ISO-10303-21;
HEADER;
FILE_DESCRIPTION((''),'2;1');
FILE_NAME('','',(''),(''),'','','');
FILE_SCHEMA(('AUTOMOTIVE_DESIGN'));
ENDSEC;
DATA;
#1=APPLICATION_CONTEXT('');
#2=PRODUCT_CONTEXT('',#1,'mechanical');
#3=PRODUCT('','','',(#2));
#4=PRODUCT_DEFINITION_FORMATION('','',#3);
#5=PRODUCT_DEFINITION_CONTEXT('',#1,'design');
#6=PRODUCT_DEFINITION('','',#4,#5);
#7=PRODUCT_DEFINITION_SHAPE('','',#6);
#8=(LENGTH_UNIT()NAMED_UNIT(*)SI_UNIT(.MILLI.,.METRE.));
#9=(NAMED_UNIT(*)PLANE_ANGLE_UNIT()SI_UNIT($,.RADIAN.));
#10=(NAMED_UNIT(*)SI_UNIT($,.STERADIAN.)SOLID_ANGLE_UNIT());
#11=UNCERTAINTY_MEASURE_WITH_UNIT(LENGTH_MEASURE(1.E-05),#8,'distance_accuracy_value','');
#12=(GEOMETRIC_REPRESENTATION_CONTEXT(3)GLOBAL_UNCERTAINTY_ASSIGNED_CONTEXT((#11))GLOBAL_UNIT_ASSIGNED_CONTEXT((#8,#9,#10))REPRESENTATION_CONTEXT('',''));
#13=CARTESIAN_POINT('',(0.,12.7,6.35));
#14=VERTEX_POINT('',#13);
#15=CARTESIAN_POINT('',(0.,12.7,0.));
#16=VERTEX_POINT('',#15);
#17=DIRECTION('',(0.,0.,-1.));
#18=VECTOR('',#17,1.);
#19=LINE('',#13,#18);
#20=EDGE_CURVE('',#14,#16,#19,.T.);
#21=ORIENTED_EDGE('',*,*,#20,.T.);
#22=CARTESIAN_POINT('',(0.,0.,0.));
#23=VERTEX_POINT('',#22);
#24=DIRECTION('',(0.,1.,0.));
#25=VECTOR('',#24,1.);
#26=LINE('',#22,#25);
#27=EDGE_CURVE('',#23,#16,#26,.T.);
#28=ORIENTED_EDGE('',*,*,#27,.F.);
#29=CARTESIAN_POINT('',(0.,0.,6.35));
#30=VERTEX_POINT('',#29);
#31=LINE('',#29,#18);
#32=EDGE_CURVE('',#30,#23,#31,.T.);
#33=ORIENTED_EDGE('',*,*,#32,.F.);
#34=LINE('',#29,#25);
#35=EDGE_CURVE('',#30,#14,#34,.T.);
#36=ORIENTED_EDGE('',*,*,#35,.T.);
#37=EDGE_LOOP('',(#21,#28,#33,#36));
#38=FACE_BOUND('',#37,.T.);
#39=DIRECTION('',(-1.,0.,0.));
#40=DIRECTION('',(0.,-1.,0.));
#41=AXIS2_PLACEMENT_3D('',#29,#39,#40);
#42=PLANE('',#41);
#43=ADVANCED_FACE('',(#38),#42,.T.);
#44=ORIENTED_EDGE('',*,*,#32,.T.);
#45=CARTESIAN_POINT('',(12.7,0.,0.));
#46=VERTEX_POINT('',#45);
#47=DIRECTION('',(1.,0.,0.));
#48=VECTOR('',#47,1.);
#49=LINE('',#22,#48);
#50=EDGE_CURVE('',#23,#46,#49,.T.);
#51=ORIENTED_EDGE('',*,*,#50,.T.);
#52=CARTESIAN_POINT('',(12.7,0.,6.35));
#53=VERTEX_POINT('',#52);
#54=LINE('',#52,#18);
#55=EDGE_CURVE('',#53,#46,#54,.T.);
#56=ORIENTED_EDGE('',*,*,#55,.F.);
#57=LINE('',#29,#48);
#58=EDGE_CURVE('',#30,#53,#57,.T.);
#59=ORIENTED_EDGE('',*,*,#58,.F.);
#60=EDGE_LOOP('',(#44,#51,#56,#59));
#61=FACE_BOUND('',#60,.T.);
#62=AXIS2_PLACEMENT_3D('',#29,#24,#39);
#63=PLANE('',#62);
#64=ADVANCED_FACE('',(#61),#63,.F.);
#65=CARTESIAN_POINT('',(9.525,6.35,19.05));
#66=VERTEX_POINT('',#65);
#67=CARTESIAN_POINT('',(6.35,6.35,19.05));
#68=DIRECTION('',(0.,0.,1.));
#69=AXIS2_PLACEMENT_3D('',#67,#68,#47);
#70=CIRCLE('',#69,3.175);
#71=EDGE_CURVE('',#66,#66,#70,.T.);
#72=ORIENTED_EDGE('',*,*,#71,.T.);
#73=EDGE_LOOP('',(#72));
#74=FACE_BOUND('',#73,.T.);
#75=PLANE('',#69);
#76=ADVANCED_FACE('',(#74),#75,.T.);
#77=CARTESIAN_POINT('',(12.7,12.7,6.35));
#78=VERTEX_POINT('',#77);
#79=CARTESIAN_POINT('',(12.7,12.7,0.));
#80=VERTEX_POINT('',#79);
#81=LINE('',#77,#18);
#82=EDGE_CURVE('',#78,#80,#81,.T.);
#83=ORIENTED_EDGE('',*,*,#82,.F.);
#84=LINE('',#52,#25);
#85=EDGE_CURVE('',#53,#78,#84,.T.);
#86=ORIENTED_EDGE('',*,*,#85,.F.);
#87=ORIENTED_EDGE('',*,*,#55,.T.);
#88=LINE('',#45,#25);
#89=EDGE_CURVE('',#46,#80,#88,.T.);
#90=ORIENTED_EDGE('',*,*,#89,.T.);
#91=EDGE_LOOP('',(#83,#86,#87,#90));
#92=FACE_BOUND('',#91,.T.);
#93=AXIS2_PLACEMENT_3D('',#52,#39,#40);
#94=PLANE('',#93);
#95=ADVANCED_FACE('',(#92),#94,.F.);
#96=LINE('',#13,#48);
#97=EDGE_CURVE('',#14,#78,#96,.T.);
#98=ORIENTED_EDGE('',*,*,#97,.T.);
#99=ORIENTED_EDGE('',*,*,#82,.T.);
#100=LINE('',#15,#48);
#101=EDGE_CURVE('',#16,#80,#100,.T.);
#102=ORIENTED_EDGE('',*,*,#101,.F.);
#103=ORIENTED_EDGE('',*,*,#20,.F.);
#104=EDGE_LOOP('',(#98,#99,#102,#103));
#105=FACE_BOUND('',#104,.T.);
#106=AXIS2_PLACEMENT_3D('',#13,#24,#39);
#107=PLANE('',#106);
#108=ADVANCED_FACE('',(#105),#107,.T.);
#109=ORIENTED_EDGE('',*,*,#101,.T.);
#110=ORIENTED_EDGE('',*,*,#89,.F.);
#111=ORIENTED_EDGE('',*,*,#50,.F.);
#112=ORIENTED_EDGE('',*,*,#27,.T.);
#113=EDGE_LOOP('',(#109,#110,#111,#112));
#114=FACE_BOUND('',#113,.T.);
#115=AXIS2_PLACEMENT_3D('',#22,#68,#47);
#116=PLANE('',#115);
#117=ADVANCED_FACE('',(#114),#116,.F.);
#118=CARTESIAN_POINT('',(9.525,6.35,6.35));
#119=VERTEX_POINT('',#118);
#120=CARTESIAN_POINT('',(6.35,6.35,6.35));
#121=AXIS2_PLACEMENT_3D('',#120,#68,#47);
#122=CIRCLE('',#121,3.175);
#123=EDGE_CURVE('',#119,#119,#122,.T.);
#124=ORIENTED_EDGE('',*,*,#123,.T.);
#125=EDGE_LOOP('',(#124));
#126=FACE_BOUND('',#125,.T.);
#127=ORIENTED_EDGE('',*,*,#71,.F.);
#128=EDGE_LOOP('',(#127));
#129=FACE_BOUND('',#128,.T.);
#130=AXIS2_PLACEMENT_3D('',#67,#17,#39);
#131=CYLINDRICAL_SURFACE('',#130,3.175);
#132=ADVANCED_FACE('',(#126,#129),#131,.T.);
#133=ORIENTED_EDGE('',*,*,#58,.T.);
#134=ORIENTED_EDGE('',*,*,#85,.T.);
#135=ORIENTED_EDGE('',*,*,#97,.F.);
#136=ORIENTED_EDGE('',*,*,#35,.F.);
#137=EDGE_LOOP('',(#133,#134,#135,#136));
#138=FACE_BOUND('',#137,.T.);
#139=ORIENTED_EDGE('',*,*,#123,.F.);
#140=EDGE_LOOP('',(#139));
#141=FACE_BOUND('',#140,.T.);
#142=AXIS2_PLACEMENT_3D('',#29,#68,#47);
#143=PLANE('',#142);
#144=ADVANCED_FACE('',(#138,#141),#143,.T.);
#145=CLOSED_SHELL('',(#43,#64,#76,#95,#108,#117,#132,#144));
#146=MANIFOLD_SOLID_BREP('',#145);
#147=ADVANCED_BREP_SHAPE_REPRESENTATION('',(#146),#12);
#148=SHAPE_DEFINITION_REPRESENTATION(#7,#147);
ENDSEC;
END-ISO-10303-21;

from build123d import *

# Parameters (mm, degrees)
SKETCH2_W           = 12.7
SKETCH2_H           = 12.7
BOSS_EXTRUDE1_DEPTH = 6.35
SKETCH3_R           = 3.175
BOSS_EXTRUDE2_DEPTH = 12.7


with BuildPart() as part:
    # Sketch2 → Boss-Extrude1 (new body)
    with BuildSketch(Plane.XY):
        with Locations((6.35, 6.35)):
            Rectangle(SKETCH2_W, SKETCH2_H)
    extrude(amount=BOSS_EXTRUDE1_DEPTH)

    # Sketch3 → Boss-Extrude2 (add)
    with BuildSketch(Plane.XY.offset(6.35)):
        with Locations((6.35, 6.35)):
            Circle(SKETCH3_R)
    extrude(amount=BOSS_EXTRUDE2_DEPTH)


solid = part.part
